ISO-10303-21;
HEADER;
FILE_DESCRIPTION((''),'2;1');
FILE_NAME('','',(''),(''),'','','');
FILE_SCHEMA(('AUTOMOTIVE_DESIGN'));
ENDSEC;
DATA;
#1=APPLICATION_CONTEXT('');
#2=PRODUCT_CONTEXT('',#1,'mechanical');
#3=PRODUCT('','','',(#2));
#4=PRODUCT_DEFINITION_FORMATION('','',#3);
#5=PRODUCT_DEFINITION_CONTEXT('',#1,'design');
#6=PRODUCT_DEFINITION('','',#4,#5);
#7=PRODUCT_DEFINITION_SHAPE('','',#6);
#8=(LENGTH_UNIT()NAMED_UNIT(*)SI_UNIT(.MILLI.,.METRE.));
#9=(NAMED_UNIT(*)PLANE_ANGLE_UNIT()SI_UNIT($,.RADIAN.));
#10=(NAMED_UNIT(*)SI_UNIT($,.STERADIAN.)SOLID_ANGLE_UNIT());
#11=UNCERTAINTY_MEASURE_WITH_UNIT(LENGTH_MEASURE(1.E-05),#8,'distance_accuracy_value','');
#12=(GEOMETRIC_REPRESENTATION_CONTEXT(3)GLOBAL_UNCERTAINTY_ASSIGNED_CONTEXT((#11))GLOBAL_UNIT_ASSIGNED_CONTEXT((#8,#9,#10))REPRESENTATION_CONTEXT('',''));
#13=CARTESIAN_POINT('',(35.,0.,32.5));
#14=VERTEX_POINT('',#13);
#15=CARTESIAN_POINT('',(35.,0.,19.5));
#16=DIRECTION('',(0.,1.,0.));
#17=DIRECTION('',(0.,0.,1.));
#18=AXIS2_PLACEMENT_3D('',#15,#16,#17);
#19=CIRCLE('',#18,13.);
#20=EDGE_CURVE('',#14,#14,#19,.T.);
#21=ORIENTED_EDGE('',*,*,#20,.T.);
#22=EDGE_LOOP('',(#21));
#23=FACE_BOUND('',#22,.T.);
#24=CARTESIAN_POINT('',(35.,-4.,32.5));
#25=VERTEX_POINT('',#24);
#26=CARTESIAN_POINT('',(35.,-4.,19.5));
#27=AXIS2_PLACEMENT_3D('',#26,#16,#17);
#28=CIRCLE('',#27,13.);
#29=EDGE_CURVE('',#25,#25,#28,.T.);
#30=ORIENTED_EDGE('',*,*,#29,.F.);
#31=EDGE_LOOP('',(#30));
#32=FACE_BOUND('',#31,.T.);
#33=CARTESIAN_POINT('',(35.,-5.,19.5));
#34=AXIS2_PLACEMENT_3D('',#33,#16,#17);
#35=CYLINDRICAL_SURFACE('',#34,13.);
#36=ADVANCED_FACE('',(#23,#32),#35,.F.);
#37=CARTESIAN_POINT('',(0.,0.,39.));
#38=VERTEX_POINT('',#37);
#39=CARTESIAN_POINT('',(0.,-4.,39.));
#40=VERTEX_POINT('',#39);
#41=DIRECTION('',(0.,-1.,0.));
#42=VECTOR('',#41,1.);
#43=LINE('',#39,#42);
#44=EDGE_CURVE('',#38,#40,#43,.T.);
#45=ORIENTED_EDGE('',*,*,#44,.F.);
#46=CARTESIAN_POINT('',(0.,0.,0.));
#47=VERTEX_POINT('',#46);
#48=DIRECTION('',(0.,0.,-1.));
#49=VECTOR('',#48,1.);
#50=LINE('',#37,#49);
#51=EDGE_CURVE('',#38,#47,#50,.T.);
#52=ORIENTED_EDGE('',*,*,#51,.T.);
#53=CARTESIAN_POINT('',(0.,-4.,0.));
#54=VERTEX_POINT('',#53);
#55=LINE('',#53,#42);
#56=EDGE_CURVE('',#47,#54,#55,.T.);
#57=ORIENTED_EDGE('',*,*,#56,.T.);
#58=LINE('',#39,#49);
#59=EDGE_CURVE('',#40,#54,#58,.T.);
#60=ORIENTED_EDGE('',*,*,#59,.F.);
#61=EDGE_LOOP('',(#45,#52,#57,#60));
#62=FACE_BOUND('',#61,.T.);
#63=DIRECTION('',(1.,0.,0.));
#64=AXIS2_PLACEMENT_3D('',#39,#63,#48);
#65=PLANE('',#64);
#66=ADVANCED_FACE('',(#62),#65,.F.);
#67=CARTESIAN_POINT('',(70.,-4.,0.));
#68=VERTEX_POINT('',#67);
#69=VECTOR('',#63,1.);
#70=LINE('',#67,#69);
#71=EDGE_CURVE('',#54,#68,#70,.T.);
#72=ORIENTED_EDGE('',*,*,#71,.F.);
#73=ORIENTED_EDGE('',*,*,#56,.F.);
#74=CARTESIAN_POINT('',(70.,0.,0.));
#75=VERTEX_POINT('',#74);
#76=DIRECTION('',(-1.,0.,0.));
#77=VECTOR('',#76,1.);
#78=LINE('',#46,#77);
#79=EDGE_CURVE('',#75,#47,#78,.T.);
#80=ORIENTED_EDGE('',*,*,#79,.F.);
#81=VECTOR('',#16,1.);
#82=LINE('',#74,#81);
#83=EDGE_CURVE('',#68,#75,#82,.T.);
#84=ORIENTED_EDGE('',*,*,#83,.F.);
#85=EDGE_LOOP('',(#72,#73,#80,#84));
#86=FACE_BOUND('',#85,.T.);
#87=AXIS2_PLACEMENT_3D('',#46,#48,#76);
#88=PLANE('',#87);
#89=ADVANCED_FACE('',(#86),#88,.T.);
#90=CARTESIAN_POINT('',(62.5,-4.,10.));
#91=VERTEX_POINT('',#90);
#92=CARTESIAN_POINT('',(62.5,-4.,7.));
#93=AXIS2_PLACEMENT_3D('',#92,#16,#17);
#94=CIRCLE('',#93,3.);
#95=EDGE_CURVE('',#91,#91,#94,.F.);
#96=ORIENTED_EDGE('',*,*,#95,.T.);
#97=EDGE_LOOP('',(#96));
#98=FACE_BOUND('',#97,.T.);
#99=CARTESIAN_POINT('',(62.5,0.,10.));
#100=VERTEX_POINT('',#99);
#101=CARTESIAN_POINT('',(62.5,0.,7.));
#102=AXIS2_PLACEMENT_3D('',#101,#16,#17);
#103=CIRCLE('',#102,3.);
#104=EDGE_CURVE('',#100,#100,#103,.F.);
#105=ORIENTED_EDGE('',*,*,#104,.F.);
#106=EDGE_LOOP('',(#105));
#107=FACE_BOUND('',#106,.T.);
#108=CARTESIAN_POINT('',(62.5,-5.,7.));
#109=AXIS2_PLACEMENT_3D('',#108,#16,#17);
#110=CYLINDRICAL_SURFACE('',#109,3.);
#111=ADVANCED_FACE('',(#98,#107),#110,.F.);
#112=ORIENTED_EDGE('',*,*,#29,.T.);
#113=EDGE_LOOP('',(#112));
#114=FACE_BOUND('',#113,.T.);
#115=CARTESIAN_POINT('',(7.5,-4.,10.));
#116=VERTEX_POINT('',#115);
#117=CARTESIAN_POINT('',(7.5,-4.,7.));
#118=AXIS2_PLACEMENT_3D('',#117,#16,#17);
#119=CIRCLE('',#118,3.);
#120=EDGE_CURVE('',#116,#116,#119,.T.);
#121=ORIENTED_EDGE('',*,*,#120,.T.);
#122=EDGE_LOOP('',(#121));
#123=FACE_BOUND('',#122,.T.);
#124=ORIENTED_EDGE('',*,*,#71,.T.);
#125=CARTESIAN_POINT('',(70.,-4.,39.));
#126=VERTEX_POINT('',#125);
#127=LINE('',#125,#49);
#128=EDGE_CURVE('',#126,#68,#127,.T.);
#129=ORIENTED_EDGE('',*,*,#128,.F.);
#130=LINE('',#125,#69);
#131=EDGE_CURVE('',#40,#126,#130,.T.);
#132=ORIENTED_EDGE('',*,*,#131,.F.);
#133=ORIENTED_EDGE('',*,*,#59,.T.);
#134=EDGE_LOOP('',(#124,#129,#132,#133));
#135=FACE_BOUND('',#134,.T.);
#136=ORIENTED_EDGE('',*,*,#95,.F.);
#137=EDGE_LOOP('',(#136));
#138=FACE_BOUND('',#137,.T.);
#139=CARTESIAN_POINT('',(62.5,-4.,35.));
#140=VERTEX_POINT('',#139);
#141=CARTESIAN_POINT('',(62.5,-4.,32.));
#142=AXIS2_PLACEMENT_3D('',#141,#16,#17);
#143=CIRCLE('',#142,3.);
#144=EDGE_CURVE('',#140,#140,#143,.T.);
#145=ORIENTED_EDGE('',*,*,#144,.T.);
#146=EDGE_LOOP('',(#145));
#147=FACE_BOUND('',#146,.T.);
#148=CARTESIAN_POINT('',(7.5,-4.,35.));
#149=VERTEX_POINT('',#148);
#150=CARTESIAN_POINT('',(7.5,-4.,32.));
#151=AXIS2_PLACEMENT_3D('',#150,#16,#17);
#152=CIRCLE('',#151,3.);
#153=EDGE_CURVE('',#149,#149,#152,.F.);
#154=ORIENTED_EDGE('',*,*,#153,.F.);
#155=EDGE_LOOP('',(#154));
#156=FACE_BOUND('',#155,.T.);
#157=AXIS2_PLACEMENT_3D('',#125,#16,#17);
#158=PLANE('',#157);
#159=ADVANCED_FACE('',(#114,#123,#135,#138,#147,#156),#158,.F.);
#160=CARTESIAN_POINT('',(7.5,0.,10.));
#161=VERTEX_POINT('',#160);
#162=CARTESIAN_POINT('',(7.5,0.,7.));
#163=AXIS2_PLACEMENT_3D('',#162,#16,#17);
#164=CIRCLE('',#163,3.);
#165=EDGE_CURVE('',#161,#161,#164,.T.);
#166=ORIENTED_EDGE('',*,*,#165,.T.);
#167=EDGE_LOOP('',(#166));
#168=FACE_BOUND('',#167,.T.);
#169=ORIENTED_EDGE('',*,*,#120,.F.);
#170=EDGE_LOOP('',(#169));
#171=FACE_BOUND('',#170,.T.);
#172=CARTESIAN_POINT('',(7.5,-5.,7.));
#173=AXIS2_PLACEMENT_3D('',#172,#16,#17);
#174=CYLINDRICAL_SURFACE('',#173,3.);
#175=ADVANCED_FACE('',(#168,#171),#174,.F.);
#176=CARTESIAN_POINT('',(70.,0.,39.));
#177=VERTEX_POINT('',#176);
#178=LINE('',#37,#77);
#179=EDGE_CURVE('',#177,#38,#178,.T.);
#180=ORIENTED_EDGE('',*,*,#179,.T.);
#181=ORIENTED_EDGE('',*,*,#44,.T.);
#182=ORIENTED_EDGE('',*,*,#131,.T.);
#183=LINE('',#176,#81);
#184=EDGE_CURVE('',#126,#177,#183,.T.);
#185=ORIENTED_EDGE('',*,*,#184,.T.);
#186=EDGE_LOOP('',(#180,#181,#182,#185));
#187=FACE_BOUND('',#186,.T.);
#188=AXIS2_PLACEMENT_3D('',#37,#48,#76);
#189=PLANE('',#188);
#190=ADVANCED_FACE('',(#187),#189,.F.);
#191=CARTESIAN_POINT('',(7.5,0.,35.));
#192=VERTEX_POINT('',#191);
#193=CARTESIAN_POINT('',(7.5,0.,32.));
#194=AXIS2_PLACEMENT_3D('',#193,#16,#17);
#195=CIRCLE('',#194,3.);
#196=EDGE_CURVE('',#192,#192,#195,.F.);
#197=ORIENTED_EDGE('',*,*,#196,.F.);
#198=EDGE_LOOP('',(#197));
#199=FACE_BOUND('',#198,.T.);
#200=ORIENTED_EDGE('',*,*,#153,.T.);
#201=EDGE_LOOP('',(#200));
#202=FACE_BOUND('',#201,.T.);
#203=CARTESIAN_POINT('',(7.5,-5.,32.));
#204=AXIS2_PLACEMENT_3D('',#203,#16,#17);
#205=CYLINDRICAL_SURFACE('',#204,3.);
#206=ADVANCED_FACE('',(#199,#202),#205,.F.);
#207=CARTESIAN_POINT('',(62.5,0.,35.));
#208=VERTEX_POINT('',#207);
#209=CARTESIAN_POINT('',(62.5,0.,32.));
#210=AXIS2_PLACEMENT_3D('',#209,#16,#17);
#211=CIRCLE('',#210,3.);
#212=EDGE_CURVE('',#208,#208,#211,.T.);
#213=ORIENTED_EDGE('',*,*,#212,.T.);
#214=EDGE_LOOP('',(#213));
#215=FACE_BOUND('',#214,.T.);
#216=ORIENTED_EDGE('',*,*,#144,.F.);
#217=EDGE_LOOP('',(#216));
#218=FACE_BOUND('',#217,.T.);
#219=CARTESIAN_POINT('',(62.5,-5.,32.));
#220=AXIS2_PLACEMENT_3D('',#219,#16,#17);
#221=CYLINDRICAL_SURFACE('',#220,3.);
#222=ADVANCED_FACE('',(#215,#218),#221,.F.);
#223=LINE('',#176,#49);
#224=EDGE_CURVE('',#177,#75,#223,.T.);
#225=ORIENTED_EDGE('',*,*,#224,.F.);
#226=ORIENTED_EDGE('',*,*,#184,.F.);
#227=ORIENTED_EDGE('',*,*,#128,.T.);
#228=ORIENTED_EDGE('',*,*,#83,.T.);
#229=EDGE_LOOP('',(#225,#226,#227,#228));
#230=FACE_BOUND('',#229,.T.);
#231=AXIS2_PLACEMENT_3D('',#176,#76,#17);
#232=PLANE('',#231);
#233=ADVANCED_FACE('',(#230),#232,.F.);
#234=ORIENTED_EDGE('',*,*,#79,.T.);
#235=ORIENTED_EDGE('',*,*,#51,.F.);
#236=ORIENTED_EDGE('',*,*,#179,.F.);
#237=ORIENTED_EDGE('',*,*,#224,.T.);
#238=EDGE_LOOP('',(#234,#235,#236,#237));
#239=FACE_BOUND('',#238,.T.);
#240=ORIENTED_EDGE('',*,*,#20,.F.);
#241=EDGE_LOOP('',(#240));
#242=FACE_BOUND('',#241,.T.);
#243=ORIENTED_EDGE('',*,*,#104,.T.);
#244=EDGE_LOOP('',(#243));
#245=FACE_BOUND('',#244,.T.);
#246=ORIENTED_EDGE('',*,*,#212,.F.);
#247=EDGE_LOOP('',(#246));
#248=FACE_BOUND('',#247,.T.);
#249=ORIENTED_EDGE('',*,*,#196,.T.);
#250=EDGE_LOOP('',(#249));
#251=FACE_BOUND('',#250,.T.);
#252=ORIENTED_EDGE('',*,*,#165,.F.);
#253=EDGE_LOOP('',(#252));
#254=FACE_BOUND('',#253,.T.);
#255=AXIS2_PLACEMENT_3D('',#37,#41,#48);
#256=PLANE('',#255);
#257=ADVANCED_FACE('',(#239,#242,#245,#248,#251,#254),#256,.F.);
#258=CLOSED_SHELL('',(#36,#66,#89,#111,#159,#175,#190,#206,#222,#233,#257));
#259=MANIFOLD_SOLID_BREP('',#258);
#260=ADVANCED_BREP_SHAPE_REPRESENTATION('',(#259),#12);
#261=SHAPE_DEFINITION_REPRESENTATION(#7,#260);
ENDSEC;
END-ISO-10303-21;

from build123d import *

# Parameters (mm, degrees)
SKETCH_1_W          = 70
SKETCH_1_H          = 4
EXTRUDE_1_DEPTH     = 39
SKETCH_2_R          = 13
SKETCH_2_R_2        = 3
CUT_EXTRUDE_1_DEPTH = 5


with BuildPart() as part:
    # 草图1 → 凸台-拉伸1 (new body)
    with BuildSketch(Plane.XY):
        with Locations((35, -2)):
            Rectangle(SKETCH_1_W, SKETCH_1_H)
    extrude(amount=EXTRUDE_1_DEPTH)

    # 草图2 → 切除-拉伸1 (cut)
    with BuildSketch(Plane(origin=(0, 0, 0), x_dir=(1, 0, 0), z_dir=(0, 1, 0))):
        with Locations(Location((35, -19.5, 0), (0, 0, 270))):
            Circle(SKETCH_2_R)
        with Locations(Location((7.5, -7, 0), (0, 0, 270))):
            Circle(SKETCH_2_R_2)
        with Locations(Location((62.5, -7, 0), (0, 0, 270))):
            Circle(SKETCH_2_R_2)
        with Locations(Location((62.5, -32, 0), (0, 0, 270))):
            Circle(SKETCH_2_R_2)
        with Locations(Location((7.5, -32, 0), (0, 0, 270))):
            Circle(SKETCH_2_R_2)
    extrude(amount=-CUT_EXTRUDE_1_DEPTH, mode=Mode.SUBTRACT)


solid = part.part
